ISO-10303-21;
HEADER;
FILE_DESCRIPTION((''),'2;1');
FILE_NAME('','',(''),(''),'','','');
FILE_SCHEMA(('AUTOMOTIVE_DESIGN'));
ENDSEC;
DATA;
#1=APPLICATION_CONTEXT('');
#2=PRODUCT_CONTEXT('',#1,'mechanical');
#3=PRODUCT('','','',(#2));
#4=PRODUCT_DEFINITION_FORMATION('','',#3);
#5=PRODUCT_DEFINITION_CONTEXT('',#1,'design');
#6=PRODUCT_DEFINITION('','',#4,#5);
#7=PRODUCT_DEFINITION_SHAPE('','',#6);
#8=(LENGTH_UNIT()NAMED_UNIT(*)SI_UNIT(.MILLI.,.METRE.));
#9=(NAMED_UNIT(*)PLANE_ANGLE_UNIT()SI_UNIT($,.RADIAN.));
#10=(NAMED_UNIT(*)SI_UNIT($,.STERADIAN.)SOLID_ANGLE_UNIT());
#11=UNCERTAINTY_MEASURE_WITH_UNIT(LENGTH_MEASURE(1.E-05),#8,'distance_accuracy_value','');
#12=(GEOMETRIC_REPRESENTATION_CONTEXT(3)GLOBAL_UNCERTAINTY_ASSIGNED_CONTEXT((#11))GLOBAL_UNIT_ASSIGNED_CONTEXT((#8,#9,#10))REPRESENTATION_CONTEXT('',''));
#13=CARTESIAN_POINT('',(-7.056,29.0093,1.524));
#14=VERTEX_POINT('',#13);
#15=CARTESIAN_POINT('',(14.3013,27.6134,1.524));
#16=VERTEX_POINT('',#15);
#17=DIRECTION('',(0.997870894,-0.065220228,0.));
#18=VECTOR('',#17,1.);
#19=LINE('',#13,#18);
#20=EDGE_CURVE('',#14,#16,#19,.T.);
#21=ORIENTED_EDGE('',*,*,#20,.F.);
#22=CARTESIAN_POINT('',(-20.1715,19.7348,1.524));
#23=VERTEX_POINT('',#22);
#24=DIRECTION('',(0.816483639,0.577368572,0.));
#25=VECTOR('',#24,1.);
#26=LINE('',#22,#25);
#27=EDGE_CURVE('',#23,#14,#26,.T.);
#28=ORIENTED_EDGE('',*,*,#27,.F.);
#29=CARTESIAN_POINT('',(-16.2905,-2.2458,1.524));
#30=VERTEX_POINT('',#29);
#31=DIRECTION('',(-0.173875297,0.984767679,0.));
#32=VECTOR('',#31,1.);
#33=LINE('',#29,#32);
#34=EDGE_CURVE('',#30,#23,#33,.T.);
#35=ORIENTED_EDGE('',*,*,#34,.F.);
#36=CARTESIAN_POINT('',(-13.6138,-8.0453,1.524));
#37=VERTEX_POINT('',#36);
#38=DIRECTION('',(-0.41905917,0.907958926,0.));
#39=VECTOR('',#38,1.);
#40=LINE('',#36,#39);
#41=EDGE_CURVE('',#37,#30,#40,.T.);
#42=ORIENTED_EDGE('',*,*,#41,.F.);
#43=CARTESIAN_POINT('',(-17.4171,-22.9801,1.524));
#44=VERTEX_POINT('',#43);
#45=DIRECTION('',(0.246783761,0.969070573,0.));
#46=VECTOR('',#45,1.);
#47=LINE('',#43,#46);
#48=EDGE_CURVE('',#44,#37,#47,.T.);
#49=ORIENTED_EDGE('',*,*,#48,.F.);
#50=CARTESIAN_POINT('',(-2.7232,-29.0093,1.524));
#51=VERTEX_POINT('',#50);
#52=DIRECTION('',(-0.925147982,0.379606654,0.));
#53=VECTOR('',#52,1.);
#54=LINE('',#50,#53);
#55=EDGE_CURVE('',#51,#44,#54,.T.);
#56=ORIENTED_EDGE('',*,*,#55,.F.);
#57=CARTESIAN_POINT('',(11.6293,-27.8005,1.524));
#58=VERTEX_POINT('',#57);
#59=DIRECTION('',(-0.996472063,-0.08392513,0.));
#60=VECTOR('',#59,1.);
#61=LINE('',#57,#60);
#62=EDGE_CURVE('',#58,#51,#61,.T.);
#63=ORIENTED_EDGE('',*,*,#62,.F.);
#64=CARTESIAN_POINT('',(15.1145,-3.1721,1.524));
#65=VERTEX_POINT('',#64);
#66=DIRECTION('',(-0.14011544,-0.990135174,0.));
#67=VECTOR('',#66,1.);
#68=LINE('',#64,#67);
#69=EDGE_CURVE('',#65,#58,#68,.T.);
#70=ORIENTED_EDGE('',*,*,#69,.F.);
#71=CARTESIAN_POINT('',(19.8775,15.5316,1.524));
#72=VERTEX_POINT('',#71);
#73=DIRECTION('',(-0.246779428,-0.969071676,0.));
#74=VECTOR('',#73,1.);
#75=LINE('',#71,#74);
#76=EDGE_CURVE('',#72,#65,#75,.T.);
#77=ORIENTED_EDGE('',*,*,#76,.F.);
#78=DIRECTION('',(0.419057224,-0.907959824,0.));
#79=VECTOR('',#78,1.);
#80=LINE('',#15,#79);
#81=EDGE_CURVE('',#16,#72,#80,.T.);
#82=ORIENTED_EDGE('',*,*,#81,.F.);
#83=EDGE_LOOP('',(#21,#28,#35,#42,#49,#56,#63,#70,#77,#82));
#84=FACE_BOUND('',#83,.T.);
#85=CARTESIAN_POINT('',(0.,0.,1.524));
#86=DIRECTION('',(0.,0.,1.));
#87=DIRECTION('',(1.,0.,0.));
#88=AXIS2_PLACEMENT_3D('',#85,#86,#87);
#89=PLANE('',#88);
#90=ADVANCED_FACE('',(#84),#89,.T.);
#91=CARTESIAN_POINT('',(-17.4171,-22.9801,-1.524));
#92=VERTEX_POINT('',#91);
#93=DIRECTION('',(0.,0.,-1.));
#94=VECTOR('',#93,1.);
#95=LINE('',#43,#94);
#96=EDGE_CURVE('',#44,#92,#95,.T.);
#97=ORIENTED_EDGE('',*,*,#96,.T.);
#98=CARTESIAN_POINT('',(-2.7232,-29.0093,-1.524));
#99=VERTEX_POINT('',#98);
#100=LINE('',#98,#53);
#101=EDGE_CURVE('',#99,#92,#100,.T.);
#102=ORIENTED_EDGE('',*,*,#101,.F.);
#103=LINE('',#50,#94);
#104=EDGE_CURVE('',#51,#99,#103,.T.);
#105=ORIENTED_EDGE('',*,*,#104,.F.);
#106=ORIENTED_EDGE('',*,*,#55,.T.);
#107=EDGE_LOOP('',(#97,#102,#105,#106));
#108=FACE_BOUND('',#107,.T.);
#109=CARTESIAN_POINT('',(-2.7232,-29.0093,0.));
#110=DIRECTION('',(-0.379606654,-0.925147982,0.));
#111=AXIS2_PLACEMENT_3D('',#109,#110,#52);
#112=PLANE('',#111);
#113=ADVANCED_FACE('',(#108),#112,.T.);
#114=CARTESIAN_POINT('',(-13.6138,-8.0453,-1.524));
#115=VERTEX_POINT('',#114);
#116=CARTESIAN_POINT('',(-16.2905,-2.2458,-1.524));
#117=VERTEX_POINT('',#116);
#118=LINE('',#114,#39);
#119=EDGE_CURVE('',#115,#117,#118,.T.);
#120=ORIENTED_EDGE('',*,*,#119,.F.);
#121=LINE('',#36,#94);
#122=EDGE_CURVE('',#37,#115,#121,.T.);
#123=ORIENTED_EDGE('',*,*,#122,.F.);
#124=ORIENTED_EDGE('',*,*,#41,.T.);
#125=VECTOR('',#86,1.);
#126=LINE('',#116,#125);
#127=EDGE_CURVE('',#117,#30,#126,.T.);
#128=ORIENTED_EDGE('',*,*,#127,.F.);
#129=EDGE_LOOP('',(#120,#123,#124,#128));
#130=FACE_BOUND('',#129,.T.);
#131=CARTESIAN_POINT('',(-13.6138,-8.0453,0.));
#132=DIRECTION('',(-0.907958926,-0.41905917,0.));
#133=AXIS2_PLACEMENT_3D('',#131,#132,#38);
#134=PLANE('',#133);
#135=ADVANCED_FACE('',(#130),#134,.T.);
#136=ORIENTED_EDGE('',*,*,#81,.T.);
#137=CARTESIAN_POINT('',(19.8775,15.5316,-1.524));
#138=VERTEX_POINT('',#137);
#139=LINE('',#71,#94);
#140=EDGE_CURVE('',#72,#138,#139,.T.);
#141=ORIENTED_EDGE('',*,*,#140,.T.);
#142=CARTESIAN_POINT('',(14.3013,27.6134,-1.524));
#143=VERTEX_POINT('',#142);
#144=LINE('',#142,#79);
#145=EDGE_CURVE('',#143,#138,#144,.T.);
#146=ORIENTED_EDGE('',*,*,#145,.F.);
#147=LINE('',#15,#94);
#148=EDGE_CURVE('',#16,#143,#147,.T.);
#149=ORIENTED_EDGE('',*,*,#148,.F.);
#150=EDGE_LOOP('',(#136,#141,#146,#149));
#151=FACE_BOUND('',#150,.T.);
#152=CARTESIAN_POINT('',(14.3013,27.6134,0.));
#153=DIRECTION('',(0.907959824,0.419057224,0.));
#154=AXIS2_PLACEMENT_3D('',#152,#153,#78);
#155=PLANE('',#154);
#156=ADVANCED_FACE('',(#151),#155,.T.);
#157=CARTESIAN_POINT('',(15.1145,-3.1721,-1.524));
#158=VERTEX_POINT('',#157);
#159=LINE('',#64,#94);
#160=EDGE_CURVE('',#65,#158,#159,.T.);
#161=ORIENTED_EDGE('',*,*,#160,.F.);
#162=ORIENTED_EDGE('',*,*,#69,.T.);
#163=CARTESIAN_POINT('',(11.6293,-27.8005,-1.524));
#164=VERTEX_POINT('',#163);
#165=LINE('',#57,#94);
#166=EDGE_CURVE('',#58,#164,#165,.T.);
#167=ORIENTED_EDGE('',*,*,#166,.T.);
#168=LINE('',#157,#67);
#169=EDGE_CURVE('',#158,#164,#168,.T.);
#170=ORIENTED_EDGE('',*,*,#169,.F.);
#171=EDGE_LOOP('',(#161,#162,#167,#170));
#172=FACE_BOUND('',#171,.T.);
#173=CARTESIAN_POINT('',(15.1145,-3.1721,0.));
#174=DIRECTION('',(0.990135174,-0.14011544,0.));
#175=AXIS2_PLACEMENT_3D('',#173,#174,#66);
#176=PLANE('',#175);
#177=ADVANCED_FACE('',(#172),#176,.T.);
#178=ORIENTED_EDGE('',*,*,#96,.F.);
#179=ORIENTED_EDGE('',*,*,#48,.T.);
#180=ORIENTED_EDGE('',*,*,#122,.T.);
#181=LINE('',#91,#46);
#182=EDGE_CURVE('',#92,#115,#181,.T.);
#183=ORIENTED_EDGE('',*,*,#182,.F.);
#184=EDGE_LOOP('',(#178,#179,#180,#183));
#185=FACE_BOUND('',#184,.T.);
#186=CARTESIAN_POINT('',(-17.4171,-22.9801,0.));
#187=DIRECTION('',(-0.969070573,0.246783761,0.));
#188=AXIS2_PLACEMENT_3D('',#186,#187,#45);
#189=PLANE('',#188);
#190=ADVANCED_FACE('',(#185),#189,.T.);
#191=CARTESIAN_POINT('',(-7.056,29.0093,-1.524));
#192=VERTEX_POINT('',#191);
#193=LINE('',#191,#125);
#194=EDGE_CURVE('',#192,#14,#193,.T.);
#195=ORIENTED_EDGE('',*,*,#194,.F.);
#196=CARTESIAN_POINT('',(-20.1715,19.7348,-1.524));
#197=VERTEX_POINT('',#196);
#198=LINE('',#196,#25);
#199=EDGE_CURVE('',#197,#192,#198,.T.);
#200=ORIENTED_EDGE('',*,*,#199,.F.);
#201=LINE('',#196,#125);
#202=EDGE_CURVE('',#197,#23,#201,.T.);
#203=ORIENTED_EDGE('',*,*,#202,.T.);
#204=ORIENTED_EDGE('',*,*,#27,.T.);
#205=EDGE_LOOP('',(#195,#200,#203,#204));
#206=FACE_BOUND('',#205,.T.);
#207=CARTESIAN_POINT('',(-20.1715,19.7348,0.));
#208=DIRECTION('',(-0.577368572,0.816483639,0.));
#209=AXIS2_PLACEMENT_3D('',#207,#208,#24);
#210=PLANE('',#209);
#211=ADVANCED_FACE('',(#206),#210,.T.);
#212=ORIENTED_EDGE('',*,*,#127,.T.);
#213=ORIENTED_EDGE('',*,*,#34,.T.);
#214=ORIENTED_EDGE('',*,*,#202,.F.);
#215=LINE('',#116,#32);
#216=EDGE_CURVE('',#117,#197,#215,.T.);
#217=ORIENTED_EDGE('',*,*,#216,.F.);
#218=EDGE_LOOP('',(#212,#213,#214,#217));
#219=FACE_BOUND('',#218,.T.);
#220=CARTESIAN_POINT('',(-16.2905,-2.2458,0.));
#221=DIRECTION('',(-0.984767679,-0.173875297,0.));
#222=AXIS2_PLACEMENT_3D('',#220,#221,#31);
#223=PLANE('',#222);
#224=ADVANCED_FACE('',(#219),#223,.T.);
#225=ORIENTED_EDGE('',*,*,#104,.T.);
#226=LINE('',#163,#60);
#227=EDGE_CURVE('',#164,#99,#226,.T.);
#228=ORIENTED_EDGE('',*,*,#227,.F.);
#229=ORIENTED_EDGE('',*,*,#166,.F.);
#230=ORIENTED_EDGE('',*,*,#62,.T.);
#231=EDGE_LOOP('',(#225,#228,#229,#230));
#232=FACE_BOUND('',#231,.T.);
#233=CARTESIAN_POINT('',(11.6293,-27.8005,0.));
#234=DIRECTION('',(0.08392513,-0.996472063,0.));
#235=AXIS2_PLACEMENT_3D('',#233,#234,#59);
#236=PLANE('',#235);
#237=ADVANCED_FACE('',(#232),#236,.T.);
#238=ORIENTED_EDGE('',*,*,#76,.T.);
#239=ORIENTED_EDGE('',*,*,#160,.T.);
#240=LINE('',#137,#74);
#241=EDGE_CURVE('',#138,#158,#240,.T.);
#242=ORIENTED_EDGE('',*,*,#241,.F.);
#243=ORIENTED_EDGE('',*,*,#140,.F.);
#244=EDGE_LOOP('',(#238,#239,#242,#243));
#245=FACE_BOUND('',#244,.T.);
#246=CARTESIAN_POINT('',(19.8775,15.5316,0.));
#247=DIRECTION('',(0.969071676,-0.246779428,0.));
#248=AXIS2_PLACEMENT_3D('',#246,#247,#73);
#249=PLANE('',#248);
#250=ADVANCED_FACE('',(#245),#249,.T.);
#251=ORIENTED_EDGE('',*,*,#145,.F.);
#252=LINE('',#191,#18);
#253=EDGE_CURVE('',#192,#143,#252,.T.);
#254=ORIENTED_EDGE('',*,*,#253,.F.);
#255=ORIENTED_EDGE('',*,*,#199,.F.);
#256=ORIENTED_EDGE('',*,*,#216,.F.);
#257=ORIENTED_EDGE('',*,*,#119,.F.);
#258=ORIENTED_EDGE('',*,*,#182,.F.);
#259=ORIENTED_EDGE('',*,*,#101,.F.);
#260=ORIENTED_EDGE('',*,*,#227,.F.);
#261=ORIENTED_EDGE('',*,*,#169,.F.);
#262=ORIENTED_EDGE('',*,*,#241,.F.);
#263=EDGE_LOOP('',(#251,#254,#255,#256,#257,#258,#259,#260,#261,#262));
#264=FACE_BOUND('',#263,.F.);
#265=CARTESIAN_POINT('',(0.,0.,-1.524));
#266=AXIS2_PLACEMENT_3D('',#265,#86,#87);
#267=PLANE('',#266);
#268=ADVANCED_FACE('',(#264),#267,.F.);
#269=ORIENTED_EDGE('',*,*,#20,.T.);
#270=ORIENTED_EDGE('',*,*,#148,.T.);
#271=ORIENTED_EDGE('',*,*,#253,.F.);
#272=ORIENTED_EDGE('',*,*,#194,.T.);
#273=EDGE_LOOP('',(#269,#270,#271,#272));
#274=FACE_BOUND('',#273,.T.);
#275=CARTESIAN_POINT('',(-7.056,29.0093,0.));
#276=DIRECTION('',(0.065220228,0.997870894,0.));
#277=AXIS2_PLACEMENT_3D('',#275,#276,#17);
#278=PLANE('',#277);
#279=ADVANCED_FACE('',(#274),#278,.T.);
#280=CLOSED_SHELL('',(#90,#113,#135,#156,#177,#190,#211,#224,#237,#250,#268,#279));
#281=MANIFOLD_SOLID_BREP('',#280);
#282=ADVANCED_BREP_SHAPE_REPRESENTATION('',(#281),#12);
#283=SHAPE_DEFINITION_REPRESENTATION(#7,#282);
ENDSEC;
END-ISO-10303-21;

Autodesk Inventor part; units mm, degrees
ref_plane "YZ Plane" through (0, 0, 0) normal (1, 0, 0) x (0, 1, 0)
ref_plane "XZ Plane" through (0, 0, 0) normal (0, 1, 0) x (-1, 0, 0)
sketch "Sketch1" plane through (0, 0, 0) normal (0, 0, 1) x (1, 0, 0)
  line L0 (721.6141, 114.4876) -> (1521.7141, 114.4876) construction
  line L1 (1521.7141, 114.4876) -> (1521.7141, -952.3124) construction
  line L2 (1521.7141, -952.3124) -> (721.6141, -952.3124) construction
  line L3 (721.6141, -952.3124) -> (721.6141, 114.4876) construction
  line L4 (-7.056, 29.0093) -> (14.3013, 27.6134)
  line L5 (14.3013, 27.6134) -> (19.8775, 15.5316)
  line L6 (19.8775, 15.5316) -> (15.1145, -3.1721)
  line L7 (15.1145, -3.1721) -> (11.6293, -27.8005)
  line L8 (11.6293, -27.8005) -> (-2.7232, -29.0093)
  line L9 (-2.7232, -29.0093) -> (-17.4171, -22.9801)
  line L10 (-17.4171, -22.9801) -> (-13.6138, -8.0453)
  line L11 (-13.6138, -8.0453) -> (-16.2905, -2.2458)
  line L12 (-16.2905, -2.2458) -> (-20.1715, 19.7348)
  line L13 (-20.1715, 19.7348) -> (-7.056, 29.0093)
  line L14 (-20.1715, 29.0093) -> (20.1637, 29.0093)
  line L15 (20.1637, 29.0093) -> (20.1637, -29.0093)
  line L16 (20.1637, -29.0093) -> (-20.1715, -29.0093)
  line L17 (-20.1715, -29.0093) -> (-20.1715, 29.0093)
  point P0 (0, 0)
  point P1 (0, 0)
  dimension "d7" = 40.3352
  dimension "d10" = 58.0187
extrude "Extrusion1" add sketch "Sketch1" along normal mid plane 3.048 contours L4 L5 L6 L7 L8 L9 L10 L11 L12 L13
properties part number "emu"
